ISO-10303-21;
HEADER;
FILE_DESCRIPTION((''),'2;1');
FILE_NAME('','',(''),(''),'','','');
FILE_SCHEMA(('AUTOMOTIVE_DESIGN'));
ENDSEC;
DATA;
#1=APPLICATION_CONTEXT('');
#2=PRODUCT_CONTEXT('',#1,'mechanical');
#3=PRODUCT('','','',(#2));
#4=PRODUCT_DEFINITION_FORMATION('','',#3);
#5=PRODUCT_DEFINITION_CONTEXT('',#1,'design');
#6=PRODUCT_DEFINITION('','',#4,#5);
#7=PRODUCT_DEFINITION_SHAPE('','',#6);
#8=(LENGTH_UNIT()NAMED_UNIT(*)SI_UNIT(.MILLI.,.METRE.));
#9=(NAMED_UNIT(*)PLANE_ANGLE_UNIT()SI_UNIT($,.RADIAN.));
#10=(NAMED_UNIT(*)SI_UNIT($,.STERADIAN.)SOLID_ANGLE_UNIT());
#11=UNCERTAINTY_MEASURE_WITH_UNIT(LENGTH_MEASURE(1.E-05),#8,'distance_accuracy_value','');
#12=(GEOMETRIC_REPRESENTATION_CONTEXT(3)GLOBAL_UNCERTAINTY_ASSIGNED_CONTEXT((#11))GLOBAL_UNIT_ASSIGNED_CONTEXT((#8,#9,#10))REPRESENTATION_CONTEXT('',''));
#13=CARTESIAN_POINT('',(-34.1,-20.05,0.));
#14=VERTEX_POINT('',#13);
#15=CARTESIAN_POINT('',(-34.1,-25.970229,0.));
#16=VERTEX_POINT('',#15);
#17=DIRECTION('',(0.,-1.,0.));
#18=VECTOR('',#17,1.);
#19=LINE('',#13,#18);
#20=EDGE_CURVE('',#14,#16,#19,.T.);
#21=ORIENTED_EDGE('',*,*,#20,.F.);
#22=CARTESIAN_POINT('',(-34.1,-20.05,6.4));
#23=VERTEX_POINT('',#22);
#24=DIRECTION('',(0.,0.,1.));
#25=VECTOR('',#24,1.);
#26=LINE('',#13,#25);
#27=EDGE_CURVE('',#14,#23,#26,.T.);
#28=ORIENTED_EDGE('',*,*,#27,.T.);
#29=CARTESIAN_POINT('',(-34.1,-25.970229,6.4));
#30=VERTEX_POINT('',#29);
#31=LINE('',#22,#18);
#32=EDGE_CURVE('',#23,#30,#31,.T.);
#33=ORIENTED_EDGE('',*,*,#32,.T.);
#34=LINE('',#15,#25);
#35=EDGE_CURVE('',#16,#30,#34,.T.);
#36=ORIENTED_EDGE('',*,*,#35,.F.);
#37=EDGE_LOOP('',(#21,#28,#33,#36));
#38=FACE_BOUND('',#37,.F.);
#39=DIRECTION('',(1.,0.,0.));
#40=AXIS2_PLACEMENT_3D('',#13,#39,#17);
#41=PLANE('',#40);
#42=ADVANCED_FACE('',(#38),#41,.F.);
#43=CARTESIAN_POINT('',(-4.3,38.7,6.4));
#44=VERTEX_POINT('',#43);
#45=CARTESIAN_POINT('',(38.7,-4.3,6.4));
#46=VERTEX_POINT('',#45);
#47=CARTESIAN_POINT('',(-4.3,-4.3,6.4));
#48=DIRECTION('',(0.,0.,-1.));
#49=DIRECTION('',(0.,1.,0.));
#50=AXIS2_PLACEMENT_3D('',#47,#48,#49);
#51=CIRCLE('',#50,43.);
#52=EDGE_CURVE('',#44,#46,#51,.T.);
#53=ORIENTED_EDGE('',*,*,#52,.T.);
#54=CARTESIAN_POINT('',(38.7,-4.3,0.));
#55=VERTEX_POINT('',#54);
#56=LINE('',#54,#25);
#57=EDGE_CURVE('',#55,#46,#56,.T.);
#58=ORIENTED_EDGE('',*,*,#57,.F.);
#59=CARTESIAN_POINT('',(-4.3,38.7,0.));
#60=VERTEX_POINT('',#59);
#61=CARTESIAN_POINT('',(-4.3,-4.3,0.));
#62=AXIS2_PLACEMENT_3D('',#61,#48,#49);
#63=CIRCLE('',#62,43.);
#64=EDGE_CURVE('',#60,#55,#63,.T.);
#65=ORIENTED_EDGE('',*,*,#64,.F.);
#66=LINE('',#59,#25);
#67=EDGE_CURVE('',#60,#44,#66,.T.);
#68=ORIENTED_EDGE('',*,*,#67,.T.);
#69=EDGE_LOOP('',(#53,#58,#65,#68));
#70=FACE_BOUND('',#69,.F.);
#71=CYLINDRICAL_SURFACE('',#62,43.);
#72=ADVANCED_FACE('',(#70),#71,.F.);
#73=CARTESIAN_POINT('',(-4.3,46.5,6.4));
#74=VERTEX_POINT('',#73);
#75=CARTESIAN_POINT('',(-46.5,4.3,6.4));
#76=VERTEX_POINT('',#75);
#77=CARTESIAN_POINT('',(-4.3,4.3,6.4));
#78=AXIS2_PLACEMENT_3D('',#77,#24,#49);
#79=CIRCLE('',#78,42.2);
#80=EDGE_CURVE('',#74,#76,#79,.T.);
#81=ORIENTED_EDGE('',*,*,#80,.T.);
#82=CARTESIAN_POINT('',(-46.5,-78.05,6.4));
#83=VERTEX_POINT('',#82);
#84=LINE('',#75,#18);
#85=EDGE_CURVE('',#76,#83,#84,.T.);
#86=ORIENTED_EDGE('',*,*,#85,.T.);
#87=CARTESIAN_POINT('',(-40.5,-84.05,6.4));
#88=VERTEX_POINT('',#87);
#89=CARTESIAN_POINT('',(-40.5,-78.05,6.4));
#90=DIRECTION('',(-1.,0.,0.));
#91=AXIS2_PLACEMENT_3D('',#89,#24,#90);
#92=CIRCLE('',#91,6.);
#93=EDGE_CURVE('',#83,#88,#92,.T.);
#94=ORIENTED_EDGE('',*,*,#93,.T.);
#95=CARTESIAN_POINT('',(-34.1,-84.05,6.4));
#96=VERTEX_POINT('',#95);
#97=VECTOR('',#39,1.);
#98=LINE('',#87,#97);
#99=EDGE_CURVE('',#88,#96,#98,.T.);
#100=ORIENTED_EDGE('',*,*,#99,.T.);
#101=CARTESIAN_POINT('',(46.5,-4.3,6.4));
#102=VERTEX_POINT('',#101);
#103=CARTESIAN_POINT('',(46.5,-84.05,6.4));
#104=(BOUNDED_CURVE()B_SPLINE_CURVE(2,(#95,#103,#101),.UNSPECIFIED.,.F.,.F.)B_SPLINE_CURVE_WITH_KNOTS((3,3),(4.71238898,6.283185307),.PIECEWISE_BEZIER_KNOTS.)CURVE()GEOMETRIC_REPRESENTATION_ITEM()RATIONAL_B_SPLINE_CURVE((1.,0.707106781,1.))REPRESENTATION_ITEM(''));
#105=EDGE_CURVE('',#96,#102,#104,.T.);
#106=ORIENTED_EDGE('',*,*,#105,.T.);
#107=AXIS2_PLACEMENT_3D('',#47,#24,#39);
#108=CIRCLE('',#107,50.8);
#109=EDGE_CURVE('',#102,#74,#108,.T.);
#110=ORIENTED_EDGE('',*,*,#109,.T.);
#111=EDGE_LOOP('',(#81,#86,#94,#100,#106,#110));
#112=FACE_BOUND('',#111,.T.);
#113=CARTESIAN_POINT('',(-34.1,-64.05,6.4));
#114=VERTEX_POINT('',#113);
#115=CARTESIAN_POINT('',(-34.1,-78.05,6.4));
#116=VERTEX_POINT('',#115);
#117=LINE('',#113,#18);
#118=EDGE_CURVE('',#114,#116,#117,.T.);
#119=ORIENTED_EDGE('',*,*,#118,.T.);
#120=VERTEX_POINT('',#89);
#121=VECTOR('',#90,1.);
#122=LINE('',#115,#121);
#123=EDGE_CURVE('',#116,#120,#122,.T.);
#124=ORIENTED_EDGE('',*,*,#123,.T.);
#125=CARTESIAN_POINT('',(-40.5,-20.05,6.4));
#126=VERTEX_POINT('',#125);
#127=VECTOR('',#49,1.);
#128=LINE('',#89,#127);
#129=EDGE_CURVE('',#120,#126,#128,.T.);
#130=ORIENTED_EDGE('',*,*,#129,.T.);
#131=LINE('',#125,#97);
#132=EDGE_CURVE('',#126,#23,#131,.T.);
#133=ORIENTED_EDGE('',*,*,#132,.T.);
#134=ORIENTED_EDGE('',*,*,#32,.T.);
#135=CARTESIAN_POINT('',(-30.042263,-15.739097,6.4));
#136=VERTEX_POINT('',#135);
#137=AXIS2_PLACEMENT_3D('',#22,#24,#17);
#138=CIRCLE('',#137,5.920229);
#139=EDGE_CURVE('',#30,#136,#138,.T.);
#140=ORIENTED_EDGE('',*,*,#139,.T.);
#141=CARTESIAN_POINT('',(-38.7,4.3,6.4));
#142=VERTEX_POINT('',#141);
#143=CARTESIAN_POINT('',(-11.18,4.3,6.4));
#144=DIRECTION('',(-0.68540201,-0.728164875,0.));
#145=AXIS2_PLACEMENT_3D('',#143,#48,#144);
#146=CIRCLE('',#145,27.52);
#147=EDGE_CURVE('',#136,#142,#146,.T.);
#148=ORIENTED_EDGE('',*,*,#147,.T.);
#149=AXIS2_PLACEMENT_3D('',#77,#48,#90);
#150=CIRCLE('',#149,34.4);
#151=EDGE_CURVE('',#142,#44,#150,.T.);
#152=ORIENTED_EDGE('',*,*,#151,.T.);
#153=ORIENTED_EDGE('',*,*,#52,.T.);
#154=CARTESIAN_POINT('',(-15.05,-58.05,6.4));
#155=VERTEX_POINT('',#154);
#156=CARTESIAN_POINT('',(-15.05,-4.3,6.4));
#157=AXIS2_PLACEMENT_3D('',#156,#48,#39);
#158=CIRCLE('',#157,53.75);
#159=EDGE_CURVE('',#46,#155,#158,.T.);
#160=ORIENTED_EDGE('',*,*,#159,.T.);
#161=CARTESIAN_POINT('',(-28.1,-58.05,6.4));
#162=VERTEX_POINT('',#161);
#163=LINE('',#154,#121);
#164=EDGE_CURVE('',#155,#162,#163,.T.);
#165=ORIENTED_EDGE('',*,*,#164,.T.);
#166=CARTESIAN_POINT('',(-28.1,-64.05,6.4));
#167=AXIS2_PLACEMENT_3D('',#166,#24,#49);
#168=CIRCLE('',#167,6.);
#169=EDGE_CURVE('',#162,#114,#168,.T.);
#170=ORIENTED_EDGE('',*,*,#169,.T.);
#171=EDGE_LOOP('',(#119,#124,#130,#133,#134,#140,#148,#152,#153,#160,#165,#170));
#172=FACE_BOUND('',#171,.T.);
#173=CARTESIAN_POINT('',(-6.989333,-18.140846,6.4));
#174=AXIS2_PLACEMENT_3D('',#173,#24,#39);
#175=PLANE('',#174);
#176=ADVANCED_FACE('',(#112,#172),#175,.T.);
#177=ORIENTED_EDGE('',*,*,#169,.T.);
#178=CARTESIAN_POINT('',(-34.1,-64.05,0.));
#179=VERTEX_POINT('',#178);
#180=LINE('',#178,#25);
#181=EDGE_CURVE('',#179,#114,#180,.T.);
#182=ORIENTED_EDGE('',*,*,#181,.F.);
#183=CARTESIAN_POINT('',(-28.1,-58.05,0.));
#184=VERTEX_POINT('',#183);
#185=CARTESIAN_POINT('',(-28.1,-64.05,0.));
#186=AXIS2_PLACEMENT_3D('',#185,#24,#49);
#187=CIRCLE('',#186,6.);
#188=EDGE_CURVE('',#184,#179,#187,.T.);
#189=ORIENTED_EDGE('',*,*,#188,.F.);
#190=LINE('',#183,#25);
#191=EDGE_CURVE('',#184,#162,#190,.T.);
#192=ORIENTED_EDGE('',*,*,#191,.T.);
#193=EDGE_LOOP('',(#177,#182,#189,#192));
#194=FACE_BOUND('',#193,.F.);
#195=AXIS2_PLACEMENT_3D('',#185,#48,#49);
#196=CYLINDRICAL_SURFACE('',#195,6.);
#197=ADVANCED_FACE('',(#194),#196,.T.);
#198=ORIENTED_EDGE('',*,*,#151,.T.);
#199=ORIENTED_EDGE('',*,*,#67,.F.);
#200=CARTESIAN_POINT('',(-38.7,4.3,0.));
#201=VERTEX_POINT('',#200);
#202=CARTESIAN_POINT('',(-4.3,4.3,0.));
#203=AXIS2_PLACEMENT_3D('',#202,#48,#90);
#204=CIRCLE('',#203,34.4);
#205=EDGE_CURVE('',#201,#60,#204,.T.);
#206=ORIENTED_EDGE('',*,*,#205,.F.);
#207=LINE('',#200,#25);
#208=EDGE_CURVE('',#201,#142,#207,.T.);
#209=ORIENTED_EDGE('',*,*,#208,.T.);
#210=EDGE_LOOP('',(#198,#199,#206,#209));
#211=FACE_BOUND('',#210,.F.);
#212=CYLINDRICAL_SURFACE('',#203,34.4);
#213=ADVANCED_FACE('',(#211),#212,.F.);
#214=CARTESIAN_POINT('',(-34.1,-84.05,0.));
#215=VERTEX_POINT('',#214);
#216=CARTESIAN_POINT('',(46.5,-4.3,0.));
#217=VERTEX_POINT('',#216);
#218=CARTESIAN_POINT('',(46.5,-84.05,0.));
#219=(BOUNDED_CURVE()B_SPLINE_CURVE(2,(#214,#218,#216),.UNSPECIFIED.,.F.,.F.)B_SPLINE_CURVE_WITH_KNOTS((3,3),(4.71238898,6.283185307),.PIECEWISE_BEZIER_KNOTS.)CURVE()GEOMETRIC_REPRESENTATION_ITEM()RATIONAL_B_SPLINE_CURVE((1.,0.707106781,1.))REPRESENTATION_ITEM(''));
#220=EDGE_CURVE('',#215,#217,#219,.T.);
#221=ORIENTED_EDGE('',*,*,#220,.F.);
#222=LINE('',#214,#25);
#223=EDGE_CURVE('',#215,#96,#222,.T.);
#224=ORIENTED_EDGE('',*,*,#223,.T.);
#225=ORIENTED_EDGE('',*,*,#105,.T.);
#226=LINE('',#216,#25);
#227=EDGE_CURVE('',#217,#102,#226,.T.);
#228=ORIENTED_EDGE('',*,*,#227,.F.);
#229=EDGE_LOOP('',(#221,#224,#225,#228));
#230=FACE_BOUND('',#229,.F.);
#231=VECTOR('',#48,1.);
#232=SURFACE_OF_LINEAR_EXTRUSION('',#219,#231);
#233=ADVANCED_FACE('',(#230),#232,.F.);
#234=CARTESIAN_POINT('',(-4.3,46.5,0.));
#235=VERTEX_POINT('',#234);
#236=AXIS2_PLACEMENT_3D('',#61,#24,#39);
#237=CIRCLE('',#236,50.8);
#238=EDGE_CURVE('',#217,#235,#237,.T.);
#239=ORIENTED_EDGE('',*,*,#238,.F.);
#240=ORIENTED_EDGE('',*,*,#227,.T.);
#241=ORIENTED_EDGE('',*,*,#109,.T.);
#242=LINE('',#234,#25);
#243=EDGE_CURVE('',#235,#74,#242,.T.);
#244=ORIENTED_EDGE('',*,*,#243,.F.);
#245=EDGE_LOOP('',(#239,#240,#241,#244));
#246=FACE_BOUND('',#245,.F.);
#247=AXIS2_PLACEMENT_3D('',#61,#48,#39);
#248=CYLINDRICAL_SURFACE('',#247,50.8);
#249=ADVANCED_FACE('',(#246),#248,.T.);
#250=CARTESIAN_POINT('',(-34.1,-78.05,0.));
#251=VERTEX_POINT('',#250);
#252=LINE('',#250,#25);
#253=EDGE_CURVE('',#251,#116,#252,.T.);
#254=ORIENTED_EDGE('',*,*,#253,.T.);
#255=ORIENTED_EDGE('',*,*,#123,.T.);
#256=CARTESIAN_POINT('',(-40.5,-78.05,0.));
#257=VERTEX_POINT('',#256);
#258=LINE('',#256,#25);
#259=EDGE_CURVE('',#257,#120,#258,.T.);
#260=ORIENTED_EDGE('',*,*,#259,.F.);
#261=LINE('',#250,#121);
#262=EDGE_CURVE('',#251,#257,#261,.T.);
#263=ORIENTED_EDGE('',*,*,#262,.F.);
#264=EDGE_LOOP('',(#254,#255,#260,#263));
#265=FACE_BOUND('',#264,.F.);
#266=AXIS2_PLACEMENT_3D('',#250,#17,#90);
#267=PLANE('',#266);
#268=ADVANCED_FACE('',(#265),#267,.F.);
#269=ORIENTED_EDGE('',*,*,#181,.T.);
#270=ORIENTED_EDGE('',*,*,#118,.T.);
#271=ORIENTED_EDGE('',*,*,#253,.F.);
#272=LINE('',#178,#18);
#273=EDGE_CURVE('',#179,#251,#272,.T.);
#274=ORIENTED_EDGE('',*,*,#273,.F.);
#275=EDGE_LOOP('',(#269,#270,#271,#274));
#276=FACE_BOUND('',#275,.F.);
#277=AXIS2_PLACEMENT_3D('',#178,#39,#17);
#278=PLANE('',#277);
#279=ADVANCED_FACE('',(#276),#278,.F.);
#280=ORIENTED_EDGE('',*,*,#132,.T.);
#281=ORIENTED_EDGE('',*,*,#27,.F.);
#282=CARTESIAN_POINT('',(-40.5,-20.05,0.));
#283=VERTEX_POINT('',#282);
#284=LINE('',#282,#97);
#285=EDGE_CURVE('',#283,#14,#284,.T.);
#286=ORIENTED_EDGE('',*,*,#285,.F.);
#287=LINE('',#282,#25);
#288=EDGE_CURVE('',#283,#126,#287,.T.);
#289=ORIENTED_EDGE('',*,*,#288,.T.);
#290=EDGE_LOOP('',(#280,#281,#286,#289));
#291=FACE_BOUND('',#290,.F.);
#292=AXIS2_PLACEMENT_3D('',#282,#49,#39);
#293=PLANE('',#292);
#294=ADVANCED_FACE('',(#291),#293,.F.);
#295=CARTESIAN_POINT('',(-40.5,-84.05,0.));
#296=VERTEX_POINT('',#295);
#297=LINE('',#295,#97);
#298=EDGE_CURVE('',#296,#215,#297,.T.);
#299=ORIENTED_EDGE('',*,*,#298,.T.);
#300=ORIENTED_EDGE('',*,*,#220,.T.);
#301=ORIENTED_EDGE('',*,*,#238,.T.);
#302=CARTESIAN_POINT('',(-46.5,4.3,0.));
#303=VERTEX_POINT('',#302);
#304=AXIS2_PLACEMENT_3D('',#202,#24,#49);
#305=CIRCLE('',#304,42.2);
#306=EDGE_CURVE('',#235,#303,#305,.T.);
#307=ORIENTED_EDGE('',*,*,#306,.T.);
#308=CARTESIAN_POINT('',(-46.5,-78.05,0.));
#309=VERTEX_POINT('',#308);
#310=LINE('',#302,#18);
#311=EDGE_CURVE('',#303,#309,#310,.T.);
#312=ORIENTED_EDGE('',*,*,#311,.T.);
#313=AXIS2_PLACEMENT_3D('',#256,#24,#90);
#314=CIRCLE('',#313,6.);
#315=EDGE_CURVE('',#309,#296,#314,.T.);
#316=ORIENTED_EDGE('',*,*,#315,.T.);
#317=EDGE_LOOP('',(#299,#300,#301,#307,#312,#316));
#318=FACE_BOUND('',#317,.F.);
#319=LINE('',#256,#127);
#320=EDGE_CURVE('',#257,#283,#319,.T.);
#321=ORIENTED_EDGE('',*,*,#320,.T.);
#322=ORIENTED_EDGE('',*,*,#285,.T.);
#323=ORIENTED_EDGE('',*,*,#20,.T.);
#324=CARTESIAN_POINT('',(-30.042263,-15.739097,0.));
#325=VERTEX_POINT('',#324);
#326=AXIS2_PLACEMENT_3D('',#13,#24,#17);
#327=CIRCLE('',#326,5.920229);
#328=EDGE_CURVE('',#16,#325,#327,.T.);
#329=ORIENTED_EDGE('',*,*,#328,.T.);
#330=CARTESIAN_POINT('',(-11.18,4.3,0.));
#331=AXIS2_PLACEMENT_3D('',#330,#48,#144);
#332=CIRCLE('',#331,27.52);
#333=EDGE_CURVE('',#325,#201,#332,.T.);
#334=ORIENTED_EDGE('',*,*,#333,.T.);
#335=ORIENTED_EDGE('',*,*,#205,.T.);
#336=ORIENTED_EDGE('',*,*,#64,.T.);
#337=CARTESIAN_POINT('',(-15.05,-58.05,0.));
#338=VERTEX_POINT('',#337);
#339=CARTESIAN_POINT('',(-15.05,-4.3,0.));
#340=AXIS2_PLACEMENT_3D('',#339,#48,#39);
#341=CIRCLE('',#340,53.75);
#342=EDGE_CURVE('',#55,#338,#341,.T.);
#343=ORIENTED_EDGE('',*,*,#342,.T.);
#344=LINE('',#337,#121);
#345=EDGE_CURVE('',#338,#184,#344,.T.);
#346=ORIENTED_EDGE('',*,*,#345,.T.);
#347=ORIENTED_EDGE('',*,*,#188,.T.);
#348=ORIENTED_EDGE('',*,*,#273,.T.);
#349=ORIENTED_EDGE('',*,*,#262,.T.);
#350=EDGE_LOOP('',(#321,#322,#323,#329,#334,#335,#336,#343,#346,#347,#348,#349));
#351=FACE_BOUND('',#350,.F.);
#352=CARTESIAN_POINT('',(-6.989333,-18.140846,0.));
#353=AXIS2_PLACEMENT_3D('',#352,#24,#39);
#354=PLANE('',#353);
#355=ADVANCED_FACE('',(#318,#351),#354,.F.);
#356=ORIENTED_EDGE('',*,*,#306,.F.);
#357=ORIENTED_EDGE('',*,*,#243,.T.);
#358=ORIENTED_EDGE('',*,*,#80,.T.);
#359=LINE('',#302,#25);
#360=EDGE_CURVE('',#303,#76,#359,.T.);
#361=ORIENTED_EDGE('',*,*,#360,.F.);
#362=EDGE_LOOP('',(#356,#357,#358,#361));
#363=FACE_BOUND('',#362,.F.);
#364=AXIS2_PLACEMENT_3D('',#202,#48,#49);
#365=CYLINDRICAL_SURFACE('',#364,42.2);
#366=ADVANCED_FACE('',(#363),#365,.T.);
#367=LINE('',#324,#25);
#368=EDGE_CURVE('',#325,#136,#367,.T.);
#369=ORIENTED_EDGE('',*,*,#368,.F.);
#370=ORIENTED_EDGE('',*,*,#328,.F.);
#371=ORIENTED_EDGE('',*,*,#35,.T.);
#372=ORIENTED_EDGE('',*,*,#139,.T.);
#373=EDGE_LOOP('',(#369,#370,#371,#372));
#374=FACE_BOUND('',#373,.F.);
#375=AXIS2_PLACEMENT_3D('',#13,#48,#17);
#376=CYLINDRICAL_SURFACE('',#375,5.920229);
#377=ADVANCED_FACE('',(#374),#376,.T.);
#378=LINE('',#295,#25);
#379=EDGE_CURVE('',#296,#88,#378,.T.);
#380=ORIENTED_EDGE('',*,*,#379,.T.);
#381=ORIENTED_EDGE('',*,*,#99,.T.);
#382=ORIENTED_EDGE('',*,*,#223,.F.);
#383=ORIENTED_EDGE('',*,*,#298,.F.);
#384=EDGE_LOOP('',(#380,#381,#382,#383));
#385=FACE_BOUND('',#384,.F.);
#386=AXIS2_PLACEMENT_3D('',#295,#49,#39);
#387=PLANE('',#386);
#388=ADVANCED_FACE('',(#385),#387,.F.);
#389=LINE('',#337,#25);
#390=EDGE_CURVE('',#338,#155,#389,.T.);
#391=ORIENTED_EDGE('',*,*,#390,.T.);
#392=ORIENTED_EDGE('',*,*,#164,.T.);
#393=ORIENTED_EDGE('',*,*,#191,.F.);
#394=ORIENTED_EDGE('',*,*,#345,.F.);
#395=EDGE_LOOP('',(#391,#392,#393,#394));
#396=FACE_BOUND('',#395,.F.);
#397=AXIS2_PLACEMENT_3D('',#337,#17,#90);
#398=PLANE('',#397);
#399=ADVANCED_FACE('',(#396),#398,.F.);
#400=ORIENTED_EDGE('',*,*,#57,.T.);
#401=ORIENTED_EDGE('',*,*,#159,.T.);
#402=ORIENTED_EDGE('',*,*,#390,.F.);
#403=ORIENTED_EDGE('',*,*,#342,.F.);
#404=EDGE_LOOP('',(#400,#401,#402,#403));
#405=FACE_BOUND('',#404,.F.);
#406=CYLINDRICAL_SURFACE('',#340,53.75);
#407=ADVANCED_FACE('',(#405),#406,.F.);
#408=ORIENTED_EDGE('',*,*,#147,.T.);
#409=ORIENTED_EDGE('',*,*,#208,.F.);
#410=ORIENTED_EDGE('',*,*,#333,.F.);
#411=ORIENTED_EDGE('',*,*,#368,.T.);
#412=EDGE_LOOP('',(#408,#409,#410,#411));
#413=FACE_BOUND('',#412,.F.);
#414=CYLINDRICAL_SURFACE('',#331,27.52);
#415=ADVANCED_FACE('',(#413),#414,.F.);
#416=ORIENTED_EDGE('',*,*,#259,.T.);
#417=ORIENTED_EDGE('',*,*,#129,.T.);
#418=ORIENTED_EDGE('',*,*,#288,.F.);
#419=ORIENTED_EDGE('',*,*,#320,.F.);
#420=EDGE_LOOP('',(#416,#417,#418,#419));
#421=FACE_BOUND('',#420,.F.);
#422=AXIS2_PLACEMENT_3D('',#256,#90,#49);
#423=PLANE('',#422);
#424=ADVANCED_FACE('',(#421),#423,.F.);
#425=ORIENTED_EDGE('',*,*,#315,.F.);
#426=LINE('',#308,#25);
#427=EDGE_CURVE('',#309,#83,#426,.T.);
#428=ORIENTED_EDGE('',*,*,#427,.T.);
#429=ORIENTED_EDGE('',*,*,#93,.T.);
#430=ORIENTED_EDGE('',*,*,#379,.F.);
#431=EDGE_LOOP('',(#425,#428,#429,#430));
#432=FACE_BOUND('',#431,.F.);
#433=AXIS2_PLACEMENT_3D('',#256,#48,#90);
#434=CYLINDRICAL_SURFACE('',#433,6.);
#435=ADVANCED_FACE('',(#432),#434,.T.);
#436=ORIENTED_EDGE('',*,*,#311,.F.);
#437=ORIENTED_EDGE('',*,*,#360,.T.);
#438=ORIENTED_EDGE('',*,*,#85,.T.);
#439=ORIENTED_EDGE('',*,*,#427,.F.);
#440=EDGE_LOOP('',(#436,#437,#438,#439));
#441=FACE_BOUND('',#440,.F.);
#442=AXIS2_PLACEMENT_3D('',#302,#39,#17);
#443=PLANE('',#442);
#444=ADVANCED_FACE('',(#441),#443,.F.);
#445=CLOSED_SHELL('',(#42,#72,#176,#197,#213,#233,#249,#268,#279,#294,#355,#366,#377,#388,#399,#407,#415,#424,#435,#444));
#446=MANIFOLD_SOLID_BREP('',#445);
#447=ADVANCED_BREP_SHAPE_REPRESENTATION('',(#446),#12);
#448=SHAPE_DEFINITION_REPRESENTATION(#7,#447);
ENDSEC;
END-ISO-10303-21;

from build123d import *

# Parameters (mm, degrees)
F2_DEPTH = 6.4


with BuildPart() as f2:
    # F1 (on Top) → F2 (new body)
    with BuildSketch(Plane.XY):
        with BuildLine():
            Line((-46.5, 4.3), (-46.5, -78.05))
            ThreePointArc((-46.5, -78.05), (-44.7426406871, -82.2926406871), (-40.5, -84.05))
            Line((-40.5, -84.05), (-34.1, -84.05))
            add(Edge.make_bspline(
                [(-34.1, -84.05), (46.5, -84.05), (46.5, -4.3)],
                knots=[4.7123889804, 4.7123889804, 4.7123889804, 6.2831853072, 6.2831853072, 6.2831853072], degree=2, weights=[1, 0.7071067812, 1]))
            ThreePointArc((46.5, -4.3), (31.6210244843, 31.6210244843), (-4.3, 46.5))
            ThreePointArc((-4.3, 46.5), (-34.1399061661, 34.1399061661), (-46.5, 4.3))
        make_face()
        with BuildLine():
            Line((-34.1, -78.05), (-40.5, -78.05))
            Line((-40.5, -78.05), (-40.5, -20.05))
            Line((-40.5, -20.05), (-34.1, -20.05))
            Line((-34.1, -20.05), (-34.1, -25.9702287672))
            ThreePointArc((-34.1, -25.9702287672), (-28.5967900968, -22.2326106882), (-30.0422633054, -15.7390973598))
            ThreePointArc((-30.0422633054, -15.7390973598), (-36.4430153205, -6.6146899597), (-38.7, 4.3))
            ThreePointArc((-38.7, 4.3), (-28.6244732728, 28.6244732728), (-4.3, 38.7))
            ThreePointArc((-4.3, 38.7), (26.105591591, 26.105591591), (38.7, -4.3))
            ThreePointArc((38.7, -4.3), (22.9569894888, -42.3069894888), (-15.05, -58.05))
            Line((-15.05, -58.05), (-28.1, -58.05))
            ThreePointArc((-28.1, -58.05), (-32.3426406871, -59.8073593129), (-34.1, -64.05))
            Line((-34.1, -64.05), (-34.1, -78.05))
        make_face(mode=Mode.SUBTRACT)
    extrude(amount=F2_DEPTH)


solid = f2.part
